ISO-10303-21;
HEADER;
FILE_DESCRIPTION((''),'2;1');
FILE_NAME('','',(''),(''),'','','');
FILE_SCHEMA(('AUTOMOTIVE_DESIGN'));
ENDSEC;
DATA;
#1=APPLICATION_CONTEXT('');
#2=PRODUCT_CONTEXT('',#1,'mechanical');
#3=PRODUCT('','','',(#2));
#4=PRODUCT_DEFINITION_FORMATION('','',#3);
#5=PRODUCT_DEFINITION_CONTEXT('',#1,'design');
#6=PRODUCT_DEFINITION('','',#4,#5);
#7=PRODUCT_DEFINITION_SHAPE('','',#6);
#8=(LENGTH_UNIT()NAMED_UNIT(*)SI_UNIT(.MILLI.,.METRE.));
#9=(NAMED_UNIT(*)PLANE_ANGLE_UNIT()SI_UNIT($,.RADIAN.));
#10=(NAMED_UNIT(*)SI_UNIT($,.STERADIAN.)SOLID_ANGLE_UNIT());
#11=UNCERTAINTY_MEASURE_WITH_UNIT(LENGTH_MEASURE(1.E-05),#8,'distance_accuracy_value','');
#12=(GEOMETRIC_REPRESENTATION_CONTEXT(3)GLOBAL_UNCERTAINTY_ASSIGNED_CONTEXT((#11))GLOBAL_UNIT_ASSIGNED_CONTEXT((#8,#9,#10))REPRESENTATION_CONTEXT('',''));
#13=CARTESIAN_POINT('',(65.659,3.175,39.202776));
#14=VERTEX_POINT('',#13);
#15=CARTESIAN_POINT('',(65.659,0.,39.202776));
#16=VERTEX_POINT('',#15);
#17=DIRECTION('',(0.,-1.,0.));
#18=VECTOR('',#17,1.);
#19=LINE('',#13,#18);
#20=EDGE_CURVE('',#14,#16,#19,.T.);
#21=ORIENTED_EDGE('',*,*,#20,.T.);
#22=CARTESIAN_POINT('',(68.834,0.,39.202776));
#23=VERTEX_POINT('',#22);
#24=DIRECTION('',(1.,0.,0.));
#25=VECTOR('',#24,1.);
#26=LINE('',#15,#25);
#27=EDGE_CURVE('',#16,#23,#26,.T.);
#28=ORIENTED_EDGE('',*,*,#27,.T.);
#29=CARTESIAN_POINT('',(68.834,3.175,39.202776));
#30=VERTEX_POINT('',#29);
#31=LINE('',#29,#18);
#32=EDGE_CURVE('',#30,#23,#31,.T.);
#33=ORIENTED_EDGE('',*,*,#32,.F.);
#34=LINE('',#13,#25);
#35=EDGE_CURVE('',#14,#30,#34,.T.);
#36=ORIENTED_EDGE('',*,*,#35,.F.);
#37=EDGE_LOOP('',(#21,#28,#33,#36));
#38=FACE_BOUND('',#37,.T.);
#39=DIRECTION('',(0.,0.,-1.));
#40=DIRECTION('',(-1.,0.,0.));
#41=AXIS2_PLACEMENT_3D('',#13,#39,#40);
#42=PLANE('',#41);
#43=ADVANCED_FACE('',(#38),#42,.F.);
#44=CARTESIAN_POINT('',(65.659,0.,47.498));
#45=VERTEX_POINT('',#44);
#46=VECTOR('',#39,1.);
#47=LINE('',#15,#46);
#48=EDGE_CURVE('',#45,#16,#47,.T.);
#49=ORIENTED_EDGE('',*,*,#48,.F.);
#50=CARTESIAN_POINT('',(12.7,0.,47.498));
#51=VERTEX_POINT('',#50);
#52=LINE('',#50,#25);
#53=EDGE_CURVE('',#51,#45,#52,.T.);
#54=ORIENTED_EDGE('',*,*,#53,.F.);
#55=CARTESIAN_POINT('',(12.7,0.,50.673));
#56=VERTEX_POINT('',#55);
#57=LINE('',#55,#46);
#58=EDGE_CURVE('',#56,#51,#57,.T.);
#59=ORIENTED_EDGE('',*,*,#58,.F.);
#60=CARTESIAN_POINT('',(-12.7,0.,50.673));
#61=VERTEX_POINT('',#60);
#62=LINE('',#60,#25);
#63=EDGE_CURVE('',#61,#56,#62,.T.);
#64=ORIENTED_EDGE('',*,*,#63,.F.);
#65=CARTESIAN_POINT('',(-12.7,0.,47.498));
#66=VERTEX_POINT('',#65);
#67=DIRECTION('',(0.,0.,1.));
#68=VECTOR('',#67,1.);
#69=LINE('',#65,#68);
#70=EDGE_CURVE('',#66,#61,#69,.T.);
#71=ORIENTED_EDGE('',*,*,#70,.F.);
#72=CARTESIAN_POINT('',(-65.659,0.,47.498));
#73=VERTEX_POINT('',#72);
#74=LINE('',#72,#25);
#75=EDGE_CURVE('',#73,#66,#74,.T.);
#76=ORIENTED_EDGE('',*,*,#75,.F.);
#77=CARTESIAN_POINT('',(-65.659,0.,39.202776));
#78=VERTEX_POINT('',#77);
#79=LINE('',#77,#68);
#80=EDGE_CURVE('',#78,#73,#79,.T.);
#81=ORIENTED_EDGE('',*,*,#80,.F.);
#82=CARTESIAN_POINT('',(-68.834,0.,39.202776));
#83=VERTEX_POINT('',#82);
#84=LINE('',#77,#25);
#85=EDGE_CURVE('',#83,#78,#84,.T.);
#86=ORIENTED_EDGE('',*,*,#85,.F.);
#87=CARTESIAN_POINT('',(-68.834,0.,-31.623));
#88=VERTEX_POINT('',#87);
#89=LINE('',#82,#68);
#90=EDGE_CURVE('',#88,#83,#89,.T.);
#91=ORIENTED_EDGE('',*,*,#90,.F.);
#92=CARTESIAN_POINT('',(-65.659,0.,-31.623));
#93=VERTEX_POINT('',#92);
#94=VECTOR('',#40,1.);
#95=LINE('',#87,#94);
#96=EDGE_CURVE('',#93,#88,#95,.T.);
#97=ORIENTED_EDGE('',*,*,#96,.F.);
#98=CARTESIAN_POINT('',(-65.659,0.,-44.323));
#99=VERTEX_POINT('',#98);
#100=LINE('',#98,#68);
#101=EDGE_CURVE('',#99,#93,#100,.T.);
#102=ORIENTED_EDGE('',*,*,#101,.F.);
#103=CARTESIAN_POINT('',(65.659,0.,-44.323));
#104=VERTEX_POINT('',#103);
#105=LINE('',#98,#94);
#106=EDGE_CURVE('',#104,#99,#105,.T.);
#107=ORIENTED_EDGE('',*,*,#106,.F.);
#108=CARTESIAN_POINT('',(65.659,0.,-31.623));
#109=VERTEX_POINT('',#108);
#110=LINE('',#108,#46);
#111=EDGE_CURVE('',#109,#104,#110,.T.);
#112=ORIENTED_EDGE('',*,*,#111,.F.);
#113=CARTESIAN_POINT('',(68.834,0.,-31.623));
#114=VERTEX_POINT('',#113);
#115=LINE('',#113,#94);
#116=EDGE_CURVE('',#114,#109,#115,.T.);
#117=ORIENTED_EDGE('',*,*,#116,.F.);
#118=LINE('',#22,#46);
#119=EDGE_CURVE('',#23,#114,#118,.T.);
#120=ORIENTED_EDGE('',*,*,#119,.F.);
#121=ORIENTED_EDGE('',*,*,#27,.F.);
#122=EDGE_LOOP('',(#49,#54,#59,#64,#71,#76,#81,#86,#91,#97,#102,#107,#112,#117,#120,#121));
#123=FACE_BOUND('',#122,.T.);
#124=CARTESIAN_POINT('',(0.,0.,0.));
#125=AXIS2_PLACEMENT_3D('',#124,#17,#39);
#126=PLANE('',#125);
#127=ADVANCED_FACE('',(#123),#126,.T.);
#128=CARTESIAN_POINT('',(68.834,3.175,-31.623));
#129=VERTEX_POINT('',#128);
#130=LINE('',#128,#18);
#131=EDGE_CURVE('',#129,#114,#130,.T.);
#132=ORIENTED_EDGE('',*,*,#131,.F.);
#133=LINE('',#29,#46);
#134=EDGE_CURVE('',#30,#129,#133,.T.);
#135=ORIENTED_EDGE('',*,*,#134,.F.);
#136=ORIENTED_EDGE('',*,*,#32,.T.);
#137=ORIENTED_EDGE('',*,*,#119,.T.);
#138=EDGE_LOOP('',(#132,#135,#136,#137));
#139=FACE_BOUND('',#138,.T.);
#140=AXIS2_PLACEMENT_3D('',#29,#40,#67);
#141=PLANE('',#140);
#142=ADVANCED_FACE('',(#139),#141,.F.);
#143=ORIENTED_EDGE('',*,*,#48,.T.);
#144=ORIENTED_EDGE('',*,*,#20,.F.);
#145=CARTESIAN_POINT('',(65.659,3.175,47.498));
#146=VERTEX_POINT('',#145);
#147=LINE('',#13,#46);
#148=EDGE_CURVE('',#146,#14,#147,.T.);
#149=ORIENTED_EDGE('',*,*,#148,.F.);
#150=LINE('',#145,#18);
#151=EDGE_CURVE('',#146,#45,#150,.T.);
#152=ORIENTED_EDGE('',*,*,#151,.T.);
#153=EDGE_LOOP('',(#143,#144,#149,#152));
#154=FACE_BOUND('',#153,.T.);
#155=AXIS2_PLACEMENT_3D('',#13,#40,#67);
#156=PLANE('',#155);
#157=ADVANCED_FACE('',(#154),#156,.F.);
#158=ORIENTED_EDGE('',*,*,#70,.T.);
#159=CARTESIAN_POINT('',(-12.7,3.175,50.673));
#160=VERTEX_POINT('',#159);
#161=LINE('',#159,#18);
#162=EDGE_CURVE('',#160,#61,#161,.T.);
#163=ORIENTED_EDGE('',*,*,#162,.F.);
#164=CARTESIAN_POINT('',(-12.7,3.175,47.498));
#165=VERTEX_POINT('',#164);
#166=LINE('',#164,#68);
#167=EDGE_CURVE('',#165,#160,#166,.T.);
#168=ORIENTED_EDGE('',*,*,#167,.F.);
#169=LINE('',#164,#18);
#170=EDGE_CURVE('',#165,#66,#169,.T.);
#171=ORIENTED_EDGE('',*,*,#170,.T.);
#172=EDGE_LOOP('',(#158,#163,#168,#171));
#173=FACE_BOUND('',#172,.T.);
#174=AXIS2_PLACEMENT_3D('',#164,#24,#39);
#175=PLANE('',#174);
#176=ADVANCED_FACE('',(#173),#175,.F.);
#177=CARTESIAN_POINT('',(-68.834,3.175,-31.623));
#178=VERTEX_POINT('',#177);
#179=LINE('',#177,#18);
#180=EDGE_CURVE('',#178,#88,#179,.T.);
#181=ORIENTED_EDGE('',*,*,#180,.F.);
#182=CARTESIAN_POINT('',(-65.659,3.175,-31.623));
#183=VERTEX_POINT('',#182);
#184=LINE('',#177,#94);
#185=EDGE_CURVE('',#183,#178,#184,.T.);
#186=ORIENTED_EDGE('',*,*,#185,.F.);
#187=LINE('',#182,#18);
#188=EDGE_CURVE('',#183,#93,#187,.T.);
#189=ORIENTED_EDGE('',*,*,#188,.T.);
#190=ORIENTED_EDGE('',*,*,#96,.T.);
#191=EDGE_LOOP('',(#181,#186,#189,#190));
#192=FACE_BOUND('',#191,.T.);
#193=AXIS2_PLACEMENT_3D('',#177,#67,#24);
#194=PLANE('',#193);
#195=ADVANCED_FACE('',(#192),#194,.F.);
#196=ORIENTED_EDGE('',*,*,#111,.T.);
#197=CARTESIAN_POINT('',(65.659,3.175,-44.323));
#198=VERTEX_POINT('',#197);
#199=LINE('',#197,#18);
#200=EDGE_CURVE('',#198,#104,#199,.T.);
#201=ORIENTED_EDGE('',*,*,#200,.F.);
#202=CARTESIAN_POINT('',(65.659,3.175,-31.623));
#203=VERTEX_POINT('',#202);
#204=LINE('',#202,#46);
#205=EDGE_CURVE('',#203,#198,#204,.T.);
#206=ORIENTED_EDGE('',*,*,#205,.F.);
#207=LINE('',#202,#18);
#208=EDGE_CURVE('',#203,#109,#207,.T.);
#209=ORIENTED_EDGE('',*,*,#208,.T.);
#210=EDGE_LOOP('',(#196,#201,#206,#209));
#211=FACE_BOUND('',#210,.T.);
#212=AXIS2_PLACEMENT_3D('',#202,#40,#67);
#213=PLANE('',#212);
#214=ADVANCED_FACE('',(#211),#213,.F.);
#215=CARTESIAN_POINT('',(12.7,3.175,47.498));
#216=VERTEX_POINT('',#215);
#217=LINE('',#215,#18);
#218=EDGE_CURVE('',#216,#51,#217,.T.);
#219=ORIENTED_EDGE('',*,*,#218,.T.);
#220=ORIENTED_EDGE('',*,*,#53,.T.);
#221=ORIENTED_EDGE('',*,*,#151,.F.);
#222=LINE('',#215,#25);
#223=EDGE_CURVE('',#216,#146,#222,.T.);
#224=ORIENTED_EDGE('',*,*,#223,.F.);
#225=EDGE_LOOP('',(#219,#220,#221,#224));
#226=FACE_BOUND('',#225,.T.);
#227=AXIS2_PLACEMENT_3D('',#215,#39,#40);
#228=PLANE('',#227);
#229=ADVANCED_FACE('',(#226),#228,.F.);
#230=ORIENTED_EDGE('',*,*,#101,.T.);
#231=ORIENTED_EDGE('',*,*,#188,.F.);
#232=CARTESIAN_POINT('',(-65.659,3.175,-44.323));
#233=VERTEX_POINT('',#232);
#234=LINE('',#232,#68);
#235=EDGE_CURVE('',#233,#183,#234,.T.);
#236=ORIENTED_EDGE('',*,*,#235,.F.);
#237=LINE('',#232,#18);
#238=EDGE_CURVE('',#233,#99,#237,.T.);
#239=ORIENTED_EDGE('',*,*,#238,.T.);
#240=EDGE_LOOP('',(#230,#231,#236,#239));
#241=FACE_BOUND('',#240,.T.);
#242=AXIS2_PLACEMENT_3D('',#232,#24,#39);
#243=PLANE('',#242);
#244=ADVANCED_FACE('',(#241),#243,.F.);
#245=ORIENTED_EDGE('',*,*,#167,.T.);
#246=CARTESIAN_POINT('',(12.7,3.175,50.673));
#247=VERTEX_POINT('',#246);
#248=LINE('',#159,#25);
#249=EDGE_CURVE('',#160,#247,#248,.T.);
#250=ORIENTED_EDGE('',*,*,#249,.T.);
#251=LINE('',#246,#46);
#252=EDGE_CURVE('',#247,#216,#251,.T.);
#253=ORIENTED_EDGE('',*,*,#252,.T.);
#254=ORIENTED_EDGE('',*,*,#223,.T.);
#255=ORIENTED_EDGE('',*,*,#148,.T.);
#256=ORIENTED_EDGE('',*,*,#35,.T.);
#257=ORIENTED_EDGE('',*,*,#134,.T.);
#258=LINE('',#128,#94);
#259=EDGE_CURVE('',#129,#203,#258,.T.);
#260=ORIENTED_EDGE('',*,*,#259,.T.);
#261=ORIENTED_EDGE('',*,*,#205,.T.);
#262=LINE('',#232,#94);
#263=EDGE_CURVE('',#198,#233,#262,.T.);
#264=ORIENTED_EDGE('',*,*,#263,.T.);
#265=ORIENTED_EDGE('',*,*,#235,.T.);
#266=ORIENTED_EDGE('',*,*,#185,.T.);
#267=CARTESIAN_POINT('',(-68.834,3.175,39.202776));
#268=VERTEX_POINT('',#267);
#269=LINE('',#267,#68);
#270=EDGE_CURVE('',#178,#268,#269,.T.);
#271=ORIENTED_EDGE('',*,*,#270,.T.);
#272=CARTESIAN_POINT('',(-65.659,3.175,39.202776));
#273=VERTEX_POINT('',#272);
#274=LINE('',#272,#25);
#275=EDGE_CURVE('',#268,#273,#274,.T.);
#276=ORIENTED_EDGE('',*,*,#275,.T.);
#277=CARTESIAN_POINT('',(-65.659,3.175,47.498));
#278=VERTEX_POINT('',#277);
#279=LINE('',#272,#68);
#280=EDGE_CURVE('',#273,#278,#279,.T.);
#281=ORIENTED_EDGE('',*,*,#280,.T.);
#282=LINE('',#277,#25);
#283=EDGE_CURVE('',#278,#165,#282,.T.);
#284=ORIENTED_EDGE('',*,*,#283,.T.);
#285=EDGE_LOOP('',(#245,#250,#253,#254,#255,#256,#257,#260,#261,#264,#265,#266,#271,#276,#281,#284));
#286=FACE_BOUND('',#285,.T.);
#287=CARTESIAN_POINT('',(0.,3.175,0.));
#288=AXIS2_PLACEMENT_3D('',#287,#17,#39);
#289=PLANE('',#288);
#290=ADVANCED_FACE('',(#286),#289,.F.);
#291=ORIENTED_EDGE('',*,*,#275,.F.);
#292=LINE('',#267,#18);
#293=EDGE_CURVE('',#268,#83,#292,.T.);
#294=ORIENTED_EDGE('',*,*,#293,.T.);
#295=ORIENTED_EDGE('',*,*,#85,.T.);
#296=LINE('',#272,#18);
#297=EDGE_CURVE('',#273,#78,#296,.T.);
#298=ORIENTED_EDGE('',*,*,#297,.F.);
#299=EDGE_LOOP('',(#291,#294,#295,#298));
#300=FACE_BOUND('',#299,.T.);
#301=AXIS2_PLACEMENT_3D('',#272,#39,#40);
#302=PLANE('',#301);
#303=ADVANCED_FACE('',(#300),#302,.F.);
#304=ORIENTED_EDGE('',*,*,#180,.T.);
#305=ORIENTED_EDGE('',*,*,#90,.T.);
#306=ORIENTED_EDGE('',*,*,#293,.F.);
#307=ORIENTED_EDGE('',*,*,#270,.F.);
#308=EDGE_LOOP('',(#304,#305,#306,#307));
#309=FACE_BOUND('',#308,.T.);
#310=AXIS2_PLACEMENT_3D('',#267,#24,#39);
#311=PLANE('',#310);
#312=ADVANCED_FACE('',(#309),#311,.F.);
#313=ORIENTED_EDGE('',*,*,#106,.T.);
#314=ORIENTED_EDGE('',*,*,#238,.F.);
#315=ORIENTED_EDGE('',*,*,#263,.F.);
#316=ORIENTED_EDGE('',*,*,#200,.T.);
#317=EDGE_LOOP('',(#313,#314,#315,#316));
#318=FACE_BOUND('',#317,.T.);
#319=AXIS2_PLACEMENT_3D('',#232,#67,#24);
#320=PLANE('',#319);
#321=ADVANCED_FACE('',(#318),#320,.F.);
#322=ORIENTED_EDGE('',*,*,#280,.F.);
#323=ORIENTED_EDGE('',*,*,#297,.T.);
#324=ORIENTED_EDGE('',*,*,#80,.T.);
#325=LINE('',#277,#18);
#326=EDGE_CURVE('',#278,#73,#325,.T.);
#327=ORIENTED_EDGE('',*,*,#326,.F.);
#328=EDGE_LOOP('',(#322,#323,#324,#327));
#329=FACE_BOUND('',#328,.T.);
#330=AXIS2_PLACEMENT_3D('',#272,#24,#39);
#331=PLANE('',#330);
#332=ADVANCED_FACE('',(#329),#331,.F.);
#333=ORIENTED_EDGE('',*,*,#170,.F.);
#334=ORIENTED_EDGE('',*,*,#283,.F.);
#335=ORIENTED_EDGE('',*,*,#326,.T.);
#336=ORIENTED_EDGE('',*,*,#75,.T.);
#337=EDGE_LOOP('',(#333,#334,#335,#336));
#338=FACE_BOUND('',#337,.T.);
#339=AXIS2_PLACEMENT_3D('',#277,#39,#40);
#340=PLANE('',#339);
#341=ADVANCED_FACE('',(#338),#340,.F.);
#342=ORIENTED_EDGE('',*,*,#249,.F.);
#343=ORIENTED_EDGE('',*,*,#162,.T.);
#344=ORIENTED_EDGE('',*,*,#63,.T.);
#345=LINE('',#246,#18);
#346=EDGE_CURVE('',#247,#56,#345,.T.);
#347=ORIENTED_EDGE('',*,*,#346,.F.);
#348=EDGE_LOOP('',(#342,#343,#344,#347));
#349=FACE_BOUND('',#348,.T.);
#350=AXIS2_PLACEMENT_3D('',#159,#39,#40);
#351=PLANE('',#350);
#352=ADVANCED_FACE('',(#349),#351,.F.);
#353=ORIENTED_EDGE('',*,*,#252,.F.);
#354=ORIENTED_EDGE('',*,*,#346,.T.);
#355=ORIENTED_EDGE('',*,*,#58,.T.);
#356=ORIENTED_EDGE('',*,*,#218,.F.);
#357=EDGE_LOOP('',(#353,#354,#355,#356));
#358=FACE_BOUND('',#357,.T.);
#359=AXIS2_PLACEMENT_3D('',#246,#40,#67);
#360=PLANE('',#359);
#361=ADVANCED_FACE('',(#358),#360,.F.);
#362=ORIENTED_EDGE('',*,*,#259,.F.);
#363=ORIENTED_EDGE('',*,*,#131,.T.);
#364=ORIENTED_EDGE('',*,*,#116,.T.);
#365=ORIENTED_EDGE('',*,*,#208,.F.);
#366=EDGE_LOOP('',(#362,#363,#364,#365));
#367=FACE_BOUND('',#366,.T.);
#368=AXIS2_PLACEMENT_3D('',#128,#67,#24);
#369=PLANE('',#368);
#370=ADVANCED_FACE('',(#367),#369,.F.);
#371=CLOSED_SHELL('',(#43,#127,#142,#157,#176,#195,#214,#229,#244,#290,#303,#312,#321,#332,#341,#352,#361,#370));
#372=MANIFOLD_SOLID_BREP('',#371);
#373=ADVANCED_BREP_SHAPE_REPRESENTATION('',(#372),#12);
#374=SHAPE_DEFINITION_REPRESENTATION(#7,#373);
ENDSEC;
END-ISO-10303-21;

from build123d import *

# Parameters (mm, degrees)
BOSS_EXTRUDE3_DEPTH = 3.175


with BuildPart() as part:
    # Sketch1 → Boss-Extrude3 (new body)
    with BuildSketch(Plane(origin=(0, 0, 0), x_dir=(1, 0, 0), z_dir=(0, 1, 0))):
        Polygon((-65.659, -39.20277551), (-65.659, -47.498), (-12.7, -47.498), (-12.7, -50.673), (12.7, -50.673), (12.7, -47.498), (65.659, -47.498), (65.659, -39.20277551), (68.834, -39.20277551), (68.834, 31.623), (65.659, 31.623), (65.659, 44.323), (-65.659, 44.323), (-65.659, 31.623), (-68.834, 31.623), (-68.834, -39.20277551), align=None)
    extrude(amount=BOSS_EXTRUDE3_DEPTH)


solid = part.part
